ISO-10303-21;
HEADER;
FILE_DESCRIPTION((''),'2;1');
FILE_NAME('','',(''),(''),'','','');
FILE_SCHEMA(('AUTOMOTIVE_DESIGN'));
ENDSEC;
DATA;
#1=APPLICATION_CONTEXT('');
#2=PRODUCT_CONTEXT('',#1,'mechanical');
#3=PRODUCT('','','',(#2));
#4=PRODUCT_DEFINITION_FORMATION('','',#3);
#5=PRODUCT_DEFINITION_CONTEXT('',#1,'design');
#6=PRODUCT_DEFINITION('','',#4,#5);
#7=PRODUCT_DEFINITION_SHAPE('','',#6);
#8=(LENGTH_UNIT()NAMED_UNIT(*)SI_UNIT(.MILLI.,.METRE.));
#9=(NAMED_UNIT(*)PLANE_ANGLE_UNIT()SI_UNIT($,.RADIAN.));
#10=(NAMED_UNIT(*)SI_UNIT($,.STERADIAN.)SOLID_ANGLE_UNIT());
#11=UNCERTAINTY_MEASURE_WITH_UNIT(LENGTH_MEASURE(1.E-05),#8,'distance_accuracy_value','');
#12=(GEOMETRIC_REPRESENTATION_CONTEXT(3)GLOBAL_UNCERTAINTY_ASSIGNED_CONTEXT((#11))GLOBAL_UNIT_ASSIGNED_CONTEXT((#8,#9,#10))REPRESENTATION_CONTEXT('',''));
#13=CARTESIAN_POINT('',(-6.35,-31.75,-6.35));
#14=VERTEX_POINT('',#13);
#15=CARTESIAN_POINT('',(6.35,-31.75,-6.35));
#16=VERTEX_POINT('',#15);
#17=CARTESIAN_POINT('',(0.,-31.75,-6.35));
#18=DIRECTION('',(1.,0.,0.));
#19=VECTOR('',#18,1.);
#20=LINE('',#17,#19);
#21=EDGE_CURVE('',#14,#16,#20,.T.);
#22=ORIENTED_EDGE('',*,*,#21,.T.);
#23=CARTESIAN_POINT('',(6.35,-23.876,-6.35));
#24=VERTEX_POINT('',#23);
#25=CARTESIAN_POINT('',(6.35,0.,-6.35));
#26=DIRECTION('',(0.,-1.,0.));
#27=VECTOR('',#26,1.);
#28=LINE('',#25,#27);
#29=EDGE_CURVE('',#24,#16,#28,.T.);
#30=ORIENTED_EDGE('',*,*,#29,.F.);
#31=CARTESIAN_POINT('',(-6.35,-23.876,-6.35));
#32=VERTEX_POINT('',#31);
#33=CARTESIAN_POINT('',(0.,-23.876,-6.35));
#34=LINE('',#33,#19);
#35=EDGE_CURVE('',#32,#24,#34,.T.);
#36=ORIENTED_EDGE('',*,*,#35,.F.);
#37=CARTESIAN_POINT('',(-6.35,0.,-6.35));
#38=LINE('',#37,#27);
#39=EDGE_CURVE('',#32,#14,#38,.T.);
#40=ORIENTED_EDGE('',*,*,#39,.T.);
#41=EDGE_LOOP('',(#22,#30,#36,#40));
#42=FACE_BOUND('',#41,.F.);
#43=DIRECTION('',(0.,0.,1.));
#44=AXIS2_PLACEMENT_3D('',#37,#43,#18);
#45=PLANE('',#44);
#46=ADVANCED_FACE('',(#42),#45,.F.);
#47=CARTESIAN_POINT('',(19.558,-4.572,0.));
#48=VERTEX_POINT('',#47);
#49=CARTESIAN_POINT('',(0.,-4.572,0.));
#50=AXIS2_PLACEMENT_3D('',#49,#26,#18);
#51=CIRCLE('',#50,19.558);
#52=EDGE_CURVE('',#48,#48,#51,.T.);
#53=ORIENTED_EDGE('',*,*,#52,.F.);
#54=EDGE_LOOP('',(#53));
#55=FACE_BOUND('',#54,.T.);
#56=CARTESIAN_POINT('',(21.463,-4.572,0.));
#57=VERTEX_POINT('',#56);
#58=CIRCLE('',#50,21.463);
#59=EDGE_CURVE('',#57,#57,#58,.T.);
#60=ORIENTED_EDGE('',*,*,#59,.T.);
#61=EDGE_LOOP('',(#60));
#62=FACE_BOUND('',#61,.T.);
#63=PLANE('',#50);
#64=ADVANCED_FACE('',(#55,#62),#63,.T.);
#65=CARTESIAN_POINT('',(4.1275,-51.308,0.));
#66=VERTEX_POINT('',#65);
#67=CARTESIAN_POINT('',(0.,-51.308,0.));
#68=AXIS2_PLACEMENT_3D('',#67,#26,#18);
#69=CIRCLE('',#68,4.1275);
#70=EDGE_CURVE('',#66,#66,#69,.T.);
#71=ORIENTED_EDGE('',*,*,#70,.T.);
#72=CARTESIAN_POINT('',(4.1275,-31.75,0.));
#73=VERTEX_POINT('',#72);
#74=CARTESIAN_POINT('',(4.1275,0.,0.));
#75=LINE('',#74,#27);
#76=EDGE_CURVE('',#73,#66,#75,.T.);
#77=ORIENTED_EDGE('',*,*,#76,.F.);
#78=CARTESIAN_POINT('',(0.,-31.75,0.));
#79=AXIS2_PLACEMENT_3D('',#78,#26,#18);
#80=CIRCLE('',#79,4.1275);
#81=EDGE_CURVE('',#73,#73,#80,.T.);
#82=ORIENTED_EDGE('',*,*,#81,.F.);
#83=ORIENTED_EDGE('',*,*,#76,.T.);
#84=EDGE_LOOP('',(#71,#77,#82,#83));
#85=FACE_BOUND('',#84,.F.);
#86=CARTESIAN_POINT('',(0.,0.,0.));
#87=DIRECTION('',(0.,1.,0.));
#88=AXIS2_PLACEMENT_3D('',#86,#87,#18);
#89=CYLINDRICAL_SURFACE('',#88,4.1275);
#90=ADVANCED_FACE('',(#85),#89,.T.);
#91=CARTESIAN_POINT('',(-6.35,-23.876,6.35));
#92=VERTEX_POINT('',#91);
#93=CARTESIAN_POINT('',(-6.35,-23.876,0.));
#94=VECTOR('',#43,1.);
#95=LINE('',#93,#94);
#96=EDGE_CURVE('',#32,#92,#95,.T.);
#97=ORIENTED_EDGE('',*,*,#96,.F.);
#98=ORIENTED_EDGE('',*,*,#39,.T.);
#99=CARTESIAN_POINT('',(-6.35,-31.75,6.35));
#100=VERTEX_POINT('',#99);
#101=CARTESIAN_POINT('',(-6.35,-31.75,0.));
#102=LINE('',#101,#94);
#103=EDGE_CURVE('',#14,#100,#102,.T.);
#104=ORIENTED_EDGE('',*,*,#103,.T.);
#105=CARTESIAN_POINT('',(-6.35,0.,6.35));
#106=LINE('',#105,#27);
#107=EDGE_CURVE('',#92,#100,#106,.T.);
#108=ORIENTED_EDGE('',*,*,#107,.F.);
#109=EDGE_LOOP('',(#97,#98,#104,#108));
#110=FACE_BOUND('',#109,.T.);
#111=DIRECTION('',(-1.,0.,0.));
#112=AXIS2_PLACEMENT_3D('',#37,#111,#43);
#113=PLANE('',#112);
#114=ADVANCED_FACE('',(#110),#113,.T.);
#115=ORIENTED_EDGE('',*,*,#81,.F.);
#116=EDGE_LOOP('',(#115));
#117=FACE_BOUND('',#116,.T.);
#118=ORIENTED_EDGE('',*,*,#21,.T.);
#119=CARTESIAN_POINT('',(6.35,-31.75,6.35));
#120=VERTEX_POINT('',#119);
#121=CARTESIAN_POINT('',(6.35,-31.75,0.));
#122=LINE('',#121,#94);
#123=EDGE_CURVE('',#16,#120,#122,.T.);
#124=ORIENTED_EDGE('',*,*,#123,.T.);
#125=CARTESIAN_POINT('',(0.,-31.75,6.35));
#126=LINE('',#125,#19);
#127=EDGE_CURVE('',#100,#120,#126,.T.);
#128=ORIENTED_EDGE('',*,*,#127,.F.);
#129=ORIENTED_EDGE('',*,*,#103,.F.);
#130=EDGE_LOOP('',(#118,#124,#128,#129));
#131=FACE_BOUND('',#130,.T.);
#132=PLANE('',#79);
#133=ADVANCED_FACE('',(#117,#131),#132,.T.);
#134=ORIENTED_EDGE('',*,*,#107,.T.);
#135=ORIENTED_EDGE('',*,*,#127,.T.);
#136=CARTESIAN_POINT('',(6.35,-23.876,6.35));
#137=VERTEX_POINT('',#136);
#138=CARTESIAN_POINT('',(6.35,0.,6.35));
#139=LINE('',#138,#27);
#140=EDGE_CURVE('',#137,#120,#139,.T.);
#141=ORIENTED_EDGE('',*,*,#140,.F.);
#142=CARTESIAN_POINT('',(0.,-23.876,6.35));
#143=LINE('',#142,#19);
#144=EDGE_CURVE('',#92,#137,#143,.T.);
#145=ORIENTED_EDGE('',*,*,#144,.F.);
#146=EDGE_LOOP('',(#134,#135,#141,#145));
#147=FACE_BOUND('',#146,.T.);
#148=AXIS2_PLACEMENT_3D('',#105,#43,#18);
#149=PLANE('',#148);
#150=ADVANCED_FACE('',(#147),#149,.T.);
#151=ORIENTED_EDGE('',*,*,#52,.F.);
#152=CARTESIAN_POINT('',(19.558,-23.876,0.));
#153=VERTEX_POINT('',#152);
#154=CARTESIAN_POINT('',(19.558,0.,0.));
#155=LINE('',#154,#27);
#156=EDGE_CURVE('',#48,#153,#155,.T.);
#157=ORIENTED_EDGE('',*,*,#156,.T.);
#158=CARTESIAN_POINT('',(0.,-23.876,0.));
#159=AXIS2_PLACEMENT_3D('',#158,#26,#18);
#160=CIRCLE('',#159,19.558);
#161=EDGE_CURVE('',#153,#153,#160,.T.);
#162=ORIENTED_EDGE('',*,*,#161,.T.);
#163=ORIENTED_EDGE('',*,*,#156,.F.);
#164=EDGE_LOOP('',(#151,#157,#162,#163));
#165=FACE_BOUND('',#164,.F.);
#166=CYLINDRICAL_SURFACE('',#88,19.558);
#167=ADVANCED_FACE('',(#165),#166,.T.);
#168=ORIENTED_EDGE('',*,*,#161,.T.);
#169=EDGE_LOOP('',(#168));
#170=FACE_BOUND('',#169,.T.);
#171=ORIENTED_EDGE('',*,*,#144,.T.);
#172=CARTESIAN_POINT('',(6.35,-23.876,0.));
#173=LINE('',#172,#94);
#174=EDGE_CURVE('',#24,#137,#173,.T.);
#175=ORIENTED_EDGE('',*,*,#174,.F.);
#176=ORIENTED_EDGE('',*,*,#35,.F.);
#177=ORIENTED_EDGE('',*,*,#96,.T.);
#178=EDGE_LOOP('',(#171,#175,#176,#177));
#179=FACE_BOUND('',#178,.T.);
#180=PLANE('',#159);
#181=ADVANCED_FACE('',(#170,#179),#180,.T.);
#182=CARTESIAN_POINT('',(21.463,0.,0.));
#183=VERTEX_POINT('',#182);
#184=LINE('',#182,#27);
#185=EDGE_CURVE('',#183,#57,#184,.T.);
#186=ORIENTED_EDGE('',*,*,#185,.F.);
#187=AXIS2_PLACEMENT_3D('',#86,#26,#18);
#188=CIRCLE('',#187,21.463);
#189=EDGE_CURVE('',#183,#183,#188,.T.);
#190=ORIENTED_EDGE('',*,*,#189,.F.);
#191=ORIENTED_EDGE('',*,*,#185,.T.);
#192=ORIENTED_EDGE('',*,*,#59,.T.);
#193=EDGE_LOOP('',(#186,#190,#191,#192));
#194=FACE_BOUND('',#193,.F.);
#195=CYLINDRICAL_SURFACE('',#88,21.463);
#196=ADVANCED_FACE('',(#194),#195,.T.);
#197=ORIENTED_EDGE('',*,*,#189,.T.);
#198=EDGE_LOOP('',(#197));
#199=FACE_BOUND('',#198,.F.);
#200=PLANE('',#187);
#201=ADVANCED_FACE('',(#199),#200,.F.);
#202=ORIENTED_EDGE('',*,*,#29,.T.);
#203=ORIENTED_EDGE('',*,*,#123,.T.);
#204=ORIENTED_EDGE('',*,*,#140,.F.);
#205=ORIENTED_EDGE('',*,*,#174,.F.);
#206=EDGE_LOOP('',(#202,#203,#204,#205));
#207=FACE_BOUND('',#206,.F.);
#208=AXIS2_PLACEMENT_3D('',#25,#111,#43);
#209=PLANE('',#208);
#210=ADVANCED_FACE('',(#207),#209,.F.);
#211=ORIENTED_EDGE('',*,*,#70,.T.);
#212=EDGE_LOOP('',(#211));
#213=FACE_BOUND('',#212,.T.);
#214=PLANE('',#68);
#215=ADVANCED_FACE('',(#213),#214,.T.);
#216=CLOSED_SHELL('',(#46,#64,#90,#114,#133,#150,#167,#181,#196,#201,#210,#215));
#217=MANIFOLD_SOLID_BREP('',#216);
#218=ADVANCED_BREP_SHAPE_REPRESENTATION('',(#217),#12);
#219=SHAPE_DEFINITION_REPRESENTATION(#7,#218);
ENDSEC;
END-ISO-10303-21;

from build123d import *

# Parameters (mm, degrees)
F0_R     = 21.463
F0_R_2   = 19.558
F1_DEPTH = 4.572
F0_W     = 12.7
F0_H     = 12.7
F2_DEPTH = 23.876
F0_R_3   = 4.1275
F3_DEPTH = 31.75
F4_DEPTH = 51.308


with BuildPart() as f1:
    # F0 (on Front) → F1 (new body)
    with BuildSketch(Plane.XZ):
        Circle(F0_R)
        Circle(F0_R_2, mode=Mode.SUBTRACT)
    extrude(amount=F1_DEPTH)

    # F0 (on Front) → F2 (join)
    with BuildSketch(Plane.XZ):
        Circle(F0_R_2)
        Rectangle(F0_W, F0_H, mode=Mode.SUBTRACT)
    extrude(amount=F2_DEPTH)

    # F0 (on Front) → F3 (join)
    with BuildSketch(Plane.XZ):
        Rectangle(F0_W, F0_H)
        Circle(F0_R_3, mode=Mode.SUBTRACT)
    extrude(amount=F3_DEPTH)

    # F0 (on Front) → F4 (join)
    with BuildSketch(Plane.XZ):
        Circle(F0_R_3)
    extrude(amount=F4_DEPTH)


solid = f1.part
